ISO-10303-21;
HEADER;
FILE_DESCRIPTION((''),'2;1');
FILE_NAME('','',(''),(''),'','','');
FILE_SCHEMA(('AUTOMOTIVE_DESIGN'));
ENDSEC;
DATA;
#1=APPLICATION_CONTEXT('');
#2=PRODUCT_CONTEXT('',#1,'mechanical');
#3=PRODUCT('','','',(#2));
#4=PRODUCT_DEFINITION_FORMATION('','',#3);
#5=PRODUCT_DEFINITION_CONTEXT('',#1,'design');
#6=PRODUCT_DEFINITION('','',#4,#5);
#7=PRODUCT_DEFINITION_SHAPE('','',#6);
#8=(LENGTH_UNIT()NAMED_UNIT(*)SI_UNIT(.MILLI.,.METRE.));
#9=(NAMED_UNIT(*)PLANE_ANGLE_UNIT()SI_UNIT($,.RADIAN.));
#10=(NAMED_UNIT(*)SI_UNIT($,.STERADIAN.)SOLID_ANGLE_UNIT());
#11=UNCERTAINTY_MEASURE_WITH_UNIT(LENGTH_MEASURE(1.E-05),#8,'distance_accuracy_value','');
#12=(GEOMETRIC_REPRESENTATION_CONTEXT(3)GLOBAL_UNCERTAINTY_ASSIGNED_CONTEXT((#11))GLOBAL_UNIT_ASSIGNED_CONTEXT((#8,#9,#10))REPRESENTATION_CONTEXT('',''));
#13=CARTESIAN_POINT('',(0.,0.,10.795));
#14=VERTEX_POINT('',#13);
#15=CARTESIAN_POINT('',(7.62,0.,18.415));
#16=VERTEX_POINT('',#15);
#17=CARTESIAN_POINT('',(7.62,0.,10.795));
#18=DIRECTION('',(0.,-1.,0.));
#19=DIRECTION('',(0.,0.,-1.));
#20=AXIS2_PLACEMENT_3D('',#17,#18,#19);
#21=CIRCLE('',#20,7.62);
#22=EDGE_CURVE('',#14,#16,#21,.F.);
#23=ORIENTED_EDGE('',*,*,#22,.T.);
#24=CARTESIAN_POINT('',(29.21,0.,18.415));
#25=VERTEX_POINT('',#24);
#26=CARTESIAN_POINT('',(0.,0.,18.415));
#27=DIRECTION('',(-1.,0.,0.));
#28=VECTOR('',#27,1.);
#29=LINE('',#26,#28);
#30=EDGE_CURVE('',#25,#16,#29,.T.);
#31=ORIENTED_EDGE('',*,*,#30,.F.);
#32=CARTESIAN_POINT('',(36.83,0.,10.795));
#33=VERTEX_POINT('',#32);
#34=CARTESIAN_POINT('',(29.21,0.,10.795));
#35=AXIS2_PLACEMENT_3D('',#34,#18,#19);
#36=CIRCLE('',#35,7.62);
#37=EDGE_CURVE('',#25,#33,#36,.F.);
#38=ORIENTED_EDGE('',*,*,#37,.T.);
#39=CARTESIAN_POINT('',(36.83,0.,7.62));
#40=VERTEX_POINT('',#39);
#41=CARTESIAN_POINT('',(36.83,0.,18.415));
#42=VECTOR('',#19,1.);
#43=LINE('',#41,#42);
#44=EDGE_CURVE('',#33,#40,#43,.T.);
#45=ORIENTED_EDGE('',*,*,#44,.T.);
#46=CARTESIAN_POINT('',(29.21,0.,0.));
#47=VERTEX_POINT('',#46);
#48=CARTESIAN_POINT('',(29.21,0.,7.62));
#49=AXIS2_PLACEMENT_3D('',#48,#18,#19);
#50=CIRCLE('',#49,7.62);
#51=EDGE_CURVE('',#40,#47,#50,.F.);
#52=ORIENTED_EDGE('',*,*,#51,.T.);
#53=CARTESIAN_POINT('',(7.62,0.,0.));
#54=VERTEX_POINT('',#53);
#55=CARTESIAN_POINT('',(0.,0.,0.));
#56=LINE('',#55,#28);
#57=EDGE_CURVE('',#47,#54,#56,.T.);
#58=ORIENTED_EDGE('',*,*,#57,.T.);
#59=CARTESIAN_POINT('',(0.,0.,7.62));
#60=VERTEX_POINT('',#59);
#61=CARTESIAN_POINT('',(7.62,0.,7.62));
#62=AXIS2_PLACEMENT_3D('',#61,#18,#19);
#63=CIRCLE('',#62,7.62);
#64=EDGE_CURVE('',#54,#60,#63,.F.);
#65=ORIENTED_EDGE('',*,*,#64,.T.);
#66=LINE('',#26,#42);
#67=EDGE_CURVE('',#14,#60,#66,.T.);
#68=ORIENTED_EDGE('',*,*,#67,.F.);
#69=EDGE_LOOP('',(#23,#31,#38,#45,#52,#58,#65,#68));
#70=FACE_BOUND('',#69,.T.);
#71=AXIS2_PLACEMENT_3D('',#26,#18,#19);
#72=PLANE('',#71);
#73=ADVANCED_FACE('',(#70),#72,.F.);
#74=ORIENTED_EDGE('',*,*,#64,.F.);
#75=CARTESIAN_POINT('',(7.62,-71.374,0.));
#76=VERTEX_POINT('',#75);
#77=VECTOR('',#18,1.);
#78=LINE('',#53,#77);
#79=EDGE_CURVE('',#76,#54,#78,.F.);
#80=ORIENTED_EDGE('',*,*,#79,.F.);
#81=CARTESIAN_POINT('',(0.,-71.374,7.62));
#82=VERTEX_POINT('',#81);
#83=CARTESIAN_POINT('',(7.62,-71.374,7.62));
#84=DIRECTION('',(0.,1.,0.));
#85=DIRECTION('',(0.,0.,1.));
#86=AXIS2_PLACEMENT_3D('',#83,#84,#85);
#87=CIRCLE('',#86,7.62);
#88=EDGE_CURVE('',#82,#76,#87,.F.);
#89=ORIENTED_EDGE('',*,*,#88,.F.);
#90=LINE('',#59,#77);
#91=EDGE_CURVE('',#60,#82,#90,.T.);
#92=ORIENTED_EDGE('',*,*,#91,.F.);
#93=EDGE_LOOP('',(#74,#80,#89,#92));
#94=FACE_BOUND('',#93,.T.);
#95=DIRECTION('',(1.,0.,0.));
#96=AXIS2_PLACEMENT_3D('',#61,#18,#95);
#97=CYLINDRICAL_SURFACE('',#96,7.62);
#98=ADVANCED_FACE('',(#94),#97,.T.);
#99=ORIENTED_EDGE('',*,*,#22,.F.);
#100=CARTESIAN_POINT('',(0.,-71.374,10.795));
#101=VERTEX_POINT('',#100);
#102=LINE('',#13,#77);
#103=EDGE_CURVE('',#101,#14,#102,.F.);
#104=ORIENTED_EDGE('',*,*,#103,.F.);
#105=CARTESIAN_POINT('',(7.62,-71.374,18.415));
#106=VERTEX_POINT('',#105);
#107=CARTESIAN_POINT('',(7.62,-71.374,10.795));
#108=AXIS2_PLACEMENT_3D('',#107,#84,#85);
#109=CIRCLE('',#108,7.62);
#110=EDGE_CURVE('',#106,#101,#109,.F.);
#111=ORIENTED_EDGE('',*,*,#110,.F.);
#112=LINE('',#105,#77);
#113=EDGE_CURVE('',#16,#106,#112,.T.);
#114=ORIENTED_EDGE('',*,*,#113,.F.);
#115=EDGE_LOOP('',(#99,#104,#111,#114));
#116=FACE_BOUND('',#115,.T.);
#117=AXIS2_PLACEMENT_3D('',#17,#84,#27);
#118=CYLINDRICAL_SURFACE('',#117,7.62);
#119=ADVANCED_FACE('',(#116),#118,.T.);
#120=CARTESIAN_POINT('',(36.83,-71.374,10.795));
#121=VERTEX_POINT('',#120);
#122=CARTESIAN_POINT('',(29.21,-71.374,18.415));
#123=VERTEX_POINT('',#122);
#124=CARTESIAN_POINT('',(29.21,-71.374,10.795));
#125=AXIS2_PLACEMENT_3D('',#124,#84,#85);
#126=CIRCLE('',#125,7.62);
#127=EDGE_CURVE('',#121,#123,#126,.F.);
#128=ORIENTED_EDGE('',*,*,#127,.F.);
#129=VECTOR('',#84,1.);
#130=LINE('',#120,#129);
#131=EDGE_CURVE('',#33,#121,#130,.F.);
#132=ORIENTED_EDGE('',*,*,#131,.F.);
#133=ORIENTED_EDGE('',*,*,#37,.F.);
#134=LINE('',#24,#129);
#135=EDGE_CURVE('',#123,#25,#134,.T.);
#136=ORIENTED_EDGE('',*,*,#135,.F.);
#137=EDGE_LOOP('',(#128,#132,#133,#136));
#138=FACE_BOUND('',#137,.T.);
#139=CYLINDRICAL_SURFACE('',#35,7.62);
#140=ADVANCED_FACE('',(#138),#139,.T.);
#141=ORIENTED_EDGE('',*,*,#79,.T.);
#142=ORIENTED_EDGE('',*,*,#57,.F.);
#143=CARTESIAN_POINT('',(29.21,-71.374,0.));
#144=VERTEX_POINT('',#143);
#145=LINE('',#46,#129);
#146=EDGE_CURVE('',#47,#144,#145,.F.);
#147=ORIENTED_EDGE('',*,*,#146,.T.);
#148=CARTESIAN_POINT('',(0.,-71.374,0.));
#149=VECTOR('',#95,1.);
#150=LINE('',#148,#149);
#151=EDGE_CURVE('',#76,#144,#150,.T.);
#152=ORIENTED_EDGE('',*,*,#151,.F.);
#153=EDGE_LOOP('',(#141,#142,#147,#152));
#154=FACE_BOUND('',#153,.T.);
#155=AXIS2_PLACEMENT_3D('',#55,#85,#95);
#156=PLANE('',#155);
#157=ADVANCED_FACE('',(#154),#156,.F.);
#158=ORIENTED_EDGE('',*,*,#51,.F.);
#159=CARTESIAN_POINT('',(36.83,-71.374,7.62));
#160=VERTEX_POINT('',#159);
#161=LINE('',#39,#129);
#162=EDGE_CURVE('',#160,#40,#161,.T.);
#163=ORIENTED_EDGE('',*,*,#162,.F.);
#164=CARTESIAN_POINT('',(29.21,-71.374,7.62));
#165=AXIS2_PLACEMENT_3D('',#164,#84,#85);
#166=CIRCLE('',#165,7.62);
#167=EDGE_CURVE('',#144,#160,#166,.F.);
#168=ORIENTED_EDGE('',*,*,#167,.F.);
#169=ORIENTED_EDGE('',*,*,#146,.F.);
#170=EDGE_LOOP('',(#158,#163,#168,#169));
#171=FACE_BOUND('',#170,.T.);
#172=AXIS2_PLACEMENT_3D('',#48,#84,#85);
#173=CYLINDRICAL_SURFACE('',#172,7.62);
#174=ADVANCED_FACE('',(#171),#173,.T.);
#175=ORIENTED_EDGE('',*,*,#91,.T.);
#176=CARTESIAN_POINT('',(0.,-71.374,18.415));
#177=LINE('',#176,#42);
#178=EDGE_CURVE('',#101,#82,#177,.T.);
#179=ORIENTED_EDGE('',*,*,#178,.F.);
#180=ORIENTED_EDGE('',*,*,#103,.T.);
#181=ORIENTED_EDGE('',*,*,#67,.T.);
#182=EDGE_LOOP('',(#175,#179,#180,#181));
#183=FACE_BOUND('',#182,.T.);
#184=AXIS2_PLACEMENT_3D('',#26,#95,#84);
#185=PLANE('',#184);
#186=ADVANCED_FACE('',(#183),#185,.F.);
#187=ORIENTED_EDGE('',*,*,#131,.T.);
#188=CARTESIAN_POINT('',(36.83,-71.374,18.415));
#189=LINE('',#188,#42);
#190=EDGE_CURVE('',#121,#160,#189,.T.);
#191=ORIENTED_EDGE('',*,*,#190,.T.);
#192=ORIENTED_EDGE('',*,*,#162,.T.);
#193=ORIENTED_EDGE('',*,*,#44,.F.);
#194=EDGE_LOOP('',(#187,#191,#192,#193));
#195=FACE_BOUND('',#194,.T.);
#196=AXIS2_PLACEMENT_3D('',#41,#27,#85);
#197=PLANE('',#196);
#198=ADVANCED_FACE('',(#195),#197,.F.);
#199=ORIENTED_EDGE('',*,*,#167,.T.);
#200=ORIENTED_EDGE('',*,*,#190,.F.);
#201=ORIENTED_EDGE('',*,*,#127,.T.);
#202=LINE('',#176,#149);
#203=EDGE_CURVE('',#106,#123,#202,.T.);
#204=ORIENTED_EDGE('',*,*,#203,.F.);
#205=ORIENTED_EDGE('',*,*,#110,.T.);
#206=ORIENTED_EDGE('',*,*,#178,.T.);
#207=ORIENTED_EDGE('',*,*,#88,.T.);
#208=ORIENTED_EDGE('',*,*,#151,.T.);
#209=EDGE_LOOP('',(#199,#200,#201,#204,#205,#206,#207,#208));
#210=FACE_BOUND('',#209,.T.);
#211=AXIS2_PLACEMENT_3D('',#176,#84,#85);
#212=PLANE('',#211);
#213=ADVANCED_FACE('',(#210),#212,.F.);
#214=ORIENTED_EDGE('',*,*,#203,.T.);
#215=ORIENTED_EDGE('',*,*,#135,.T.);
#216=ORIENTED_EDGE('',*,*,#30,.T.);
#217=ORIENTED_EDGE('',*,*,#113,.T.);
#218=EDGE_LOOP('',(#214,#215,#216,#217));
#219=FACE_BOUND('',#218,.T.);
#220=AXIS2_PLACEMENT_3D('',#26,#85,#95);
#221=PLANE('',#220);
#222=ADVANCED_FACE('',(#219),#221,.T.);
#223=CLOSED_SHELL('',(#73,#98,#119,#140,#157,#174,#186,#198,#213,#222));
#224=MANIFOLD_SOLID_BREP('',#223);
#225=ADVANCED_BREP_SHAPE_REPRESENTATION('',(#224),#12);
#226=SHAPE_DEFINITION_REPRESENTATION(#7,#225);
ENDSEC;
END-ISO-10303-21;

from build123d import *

# Parameters (mm, degrees)
SKETCH1_W           = 36.83
SKETCH1_H           = 71.374
BOSS_EXTRUDE1_DEPTH = 18.415
FILLET1_R           = 7.62


with BuildPart() as part:
    # Sketch1 → Boss-Extrude1 (new body)
    with BuildSketch(Plane.XY):
        with Locations((18.415, -35.687)):
            Rectangle(SKETCH1_W, SKETCH1_H)
    extrude(amount=BOSS_EXTRUDE1_DEPTH)

    # Fillet1
    fillet1_edges = [part.edges().sort_by_distance(p)[0] for p in [
        (36.83, -35.687, 18.415),
        (0, -35.687, 18.415),
        (36.83, -35.687, 0),
        (0, -35.687, 0),
    ]]
    fillet(fillet1_edges, radius=FILLET1_R)


solid = part.part
